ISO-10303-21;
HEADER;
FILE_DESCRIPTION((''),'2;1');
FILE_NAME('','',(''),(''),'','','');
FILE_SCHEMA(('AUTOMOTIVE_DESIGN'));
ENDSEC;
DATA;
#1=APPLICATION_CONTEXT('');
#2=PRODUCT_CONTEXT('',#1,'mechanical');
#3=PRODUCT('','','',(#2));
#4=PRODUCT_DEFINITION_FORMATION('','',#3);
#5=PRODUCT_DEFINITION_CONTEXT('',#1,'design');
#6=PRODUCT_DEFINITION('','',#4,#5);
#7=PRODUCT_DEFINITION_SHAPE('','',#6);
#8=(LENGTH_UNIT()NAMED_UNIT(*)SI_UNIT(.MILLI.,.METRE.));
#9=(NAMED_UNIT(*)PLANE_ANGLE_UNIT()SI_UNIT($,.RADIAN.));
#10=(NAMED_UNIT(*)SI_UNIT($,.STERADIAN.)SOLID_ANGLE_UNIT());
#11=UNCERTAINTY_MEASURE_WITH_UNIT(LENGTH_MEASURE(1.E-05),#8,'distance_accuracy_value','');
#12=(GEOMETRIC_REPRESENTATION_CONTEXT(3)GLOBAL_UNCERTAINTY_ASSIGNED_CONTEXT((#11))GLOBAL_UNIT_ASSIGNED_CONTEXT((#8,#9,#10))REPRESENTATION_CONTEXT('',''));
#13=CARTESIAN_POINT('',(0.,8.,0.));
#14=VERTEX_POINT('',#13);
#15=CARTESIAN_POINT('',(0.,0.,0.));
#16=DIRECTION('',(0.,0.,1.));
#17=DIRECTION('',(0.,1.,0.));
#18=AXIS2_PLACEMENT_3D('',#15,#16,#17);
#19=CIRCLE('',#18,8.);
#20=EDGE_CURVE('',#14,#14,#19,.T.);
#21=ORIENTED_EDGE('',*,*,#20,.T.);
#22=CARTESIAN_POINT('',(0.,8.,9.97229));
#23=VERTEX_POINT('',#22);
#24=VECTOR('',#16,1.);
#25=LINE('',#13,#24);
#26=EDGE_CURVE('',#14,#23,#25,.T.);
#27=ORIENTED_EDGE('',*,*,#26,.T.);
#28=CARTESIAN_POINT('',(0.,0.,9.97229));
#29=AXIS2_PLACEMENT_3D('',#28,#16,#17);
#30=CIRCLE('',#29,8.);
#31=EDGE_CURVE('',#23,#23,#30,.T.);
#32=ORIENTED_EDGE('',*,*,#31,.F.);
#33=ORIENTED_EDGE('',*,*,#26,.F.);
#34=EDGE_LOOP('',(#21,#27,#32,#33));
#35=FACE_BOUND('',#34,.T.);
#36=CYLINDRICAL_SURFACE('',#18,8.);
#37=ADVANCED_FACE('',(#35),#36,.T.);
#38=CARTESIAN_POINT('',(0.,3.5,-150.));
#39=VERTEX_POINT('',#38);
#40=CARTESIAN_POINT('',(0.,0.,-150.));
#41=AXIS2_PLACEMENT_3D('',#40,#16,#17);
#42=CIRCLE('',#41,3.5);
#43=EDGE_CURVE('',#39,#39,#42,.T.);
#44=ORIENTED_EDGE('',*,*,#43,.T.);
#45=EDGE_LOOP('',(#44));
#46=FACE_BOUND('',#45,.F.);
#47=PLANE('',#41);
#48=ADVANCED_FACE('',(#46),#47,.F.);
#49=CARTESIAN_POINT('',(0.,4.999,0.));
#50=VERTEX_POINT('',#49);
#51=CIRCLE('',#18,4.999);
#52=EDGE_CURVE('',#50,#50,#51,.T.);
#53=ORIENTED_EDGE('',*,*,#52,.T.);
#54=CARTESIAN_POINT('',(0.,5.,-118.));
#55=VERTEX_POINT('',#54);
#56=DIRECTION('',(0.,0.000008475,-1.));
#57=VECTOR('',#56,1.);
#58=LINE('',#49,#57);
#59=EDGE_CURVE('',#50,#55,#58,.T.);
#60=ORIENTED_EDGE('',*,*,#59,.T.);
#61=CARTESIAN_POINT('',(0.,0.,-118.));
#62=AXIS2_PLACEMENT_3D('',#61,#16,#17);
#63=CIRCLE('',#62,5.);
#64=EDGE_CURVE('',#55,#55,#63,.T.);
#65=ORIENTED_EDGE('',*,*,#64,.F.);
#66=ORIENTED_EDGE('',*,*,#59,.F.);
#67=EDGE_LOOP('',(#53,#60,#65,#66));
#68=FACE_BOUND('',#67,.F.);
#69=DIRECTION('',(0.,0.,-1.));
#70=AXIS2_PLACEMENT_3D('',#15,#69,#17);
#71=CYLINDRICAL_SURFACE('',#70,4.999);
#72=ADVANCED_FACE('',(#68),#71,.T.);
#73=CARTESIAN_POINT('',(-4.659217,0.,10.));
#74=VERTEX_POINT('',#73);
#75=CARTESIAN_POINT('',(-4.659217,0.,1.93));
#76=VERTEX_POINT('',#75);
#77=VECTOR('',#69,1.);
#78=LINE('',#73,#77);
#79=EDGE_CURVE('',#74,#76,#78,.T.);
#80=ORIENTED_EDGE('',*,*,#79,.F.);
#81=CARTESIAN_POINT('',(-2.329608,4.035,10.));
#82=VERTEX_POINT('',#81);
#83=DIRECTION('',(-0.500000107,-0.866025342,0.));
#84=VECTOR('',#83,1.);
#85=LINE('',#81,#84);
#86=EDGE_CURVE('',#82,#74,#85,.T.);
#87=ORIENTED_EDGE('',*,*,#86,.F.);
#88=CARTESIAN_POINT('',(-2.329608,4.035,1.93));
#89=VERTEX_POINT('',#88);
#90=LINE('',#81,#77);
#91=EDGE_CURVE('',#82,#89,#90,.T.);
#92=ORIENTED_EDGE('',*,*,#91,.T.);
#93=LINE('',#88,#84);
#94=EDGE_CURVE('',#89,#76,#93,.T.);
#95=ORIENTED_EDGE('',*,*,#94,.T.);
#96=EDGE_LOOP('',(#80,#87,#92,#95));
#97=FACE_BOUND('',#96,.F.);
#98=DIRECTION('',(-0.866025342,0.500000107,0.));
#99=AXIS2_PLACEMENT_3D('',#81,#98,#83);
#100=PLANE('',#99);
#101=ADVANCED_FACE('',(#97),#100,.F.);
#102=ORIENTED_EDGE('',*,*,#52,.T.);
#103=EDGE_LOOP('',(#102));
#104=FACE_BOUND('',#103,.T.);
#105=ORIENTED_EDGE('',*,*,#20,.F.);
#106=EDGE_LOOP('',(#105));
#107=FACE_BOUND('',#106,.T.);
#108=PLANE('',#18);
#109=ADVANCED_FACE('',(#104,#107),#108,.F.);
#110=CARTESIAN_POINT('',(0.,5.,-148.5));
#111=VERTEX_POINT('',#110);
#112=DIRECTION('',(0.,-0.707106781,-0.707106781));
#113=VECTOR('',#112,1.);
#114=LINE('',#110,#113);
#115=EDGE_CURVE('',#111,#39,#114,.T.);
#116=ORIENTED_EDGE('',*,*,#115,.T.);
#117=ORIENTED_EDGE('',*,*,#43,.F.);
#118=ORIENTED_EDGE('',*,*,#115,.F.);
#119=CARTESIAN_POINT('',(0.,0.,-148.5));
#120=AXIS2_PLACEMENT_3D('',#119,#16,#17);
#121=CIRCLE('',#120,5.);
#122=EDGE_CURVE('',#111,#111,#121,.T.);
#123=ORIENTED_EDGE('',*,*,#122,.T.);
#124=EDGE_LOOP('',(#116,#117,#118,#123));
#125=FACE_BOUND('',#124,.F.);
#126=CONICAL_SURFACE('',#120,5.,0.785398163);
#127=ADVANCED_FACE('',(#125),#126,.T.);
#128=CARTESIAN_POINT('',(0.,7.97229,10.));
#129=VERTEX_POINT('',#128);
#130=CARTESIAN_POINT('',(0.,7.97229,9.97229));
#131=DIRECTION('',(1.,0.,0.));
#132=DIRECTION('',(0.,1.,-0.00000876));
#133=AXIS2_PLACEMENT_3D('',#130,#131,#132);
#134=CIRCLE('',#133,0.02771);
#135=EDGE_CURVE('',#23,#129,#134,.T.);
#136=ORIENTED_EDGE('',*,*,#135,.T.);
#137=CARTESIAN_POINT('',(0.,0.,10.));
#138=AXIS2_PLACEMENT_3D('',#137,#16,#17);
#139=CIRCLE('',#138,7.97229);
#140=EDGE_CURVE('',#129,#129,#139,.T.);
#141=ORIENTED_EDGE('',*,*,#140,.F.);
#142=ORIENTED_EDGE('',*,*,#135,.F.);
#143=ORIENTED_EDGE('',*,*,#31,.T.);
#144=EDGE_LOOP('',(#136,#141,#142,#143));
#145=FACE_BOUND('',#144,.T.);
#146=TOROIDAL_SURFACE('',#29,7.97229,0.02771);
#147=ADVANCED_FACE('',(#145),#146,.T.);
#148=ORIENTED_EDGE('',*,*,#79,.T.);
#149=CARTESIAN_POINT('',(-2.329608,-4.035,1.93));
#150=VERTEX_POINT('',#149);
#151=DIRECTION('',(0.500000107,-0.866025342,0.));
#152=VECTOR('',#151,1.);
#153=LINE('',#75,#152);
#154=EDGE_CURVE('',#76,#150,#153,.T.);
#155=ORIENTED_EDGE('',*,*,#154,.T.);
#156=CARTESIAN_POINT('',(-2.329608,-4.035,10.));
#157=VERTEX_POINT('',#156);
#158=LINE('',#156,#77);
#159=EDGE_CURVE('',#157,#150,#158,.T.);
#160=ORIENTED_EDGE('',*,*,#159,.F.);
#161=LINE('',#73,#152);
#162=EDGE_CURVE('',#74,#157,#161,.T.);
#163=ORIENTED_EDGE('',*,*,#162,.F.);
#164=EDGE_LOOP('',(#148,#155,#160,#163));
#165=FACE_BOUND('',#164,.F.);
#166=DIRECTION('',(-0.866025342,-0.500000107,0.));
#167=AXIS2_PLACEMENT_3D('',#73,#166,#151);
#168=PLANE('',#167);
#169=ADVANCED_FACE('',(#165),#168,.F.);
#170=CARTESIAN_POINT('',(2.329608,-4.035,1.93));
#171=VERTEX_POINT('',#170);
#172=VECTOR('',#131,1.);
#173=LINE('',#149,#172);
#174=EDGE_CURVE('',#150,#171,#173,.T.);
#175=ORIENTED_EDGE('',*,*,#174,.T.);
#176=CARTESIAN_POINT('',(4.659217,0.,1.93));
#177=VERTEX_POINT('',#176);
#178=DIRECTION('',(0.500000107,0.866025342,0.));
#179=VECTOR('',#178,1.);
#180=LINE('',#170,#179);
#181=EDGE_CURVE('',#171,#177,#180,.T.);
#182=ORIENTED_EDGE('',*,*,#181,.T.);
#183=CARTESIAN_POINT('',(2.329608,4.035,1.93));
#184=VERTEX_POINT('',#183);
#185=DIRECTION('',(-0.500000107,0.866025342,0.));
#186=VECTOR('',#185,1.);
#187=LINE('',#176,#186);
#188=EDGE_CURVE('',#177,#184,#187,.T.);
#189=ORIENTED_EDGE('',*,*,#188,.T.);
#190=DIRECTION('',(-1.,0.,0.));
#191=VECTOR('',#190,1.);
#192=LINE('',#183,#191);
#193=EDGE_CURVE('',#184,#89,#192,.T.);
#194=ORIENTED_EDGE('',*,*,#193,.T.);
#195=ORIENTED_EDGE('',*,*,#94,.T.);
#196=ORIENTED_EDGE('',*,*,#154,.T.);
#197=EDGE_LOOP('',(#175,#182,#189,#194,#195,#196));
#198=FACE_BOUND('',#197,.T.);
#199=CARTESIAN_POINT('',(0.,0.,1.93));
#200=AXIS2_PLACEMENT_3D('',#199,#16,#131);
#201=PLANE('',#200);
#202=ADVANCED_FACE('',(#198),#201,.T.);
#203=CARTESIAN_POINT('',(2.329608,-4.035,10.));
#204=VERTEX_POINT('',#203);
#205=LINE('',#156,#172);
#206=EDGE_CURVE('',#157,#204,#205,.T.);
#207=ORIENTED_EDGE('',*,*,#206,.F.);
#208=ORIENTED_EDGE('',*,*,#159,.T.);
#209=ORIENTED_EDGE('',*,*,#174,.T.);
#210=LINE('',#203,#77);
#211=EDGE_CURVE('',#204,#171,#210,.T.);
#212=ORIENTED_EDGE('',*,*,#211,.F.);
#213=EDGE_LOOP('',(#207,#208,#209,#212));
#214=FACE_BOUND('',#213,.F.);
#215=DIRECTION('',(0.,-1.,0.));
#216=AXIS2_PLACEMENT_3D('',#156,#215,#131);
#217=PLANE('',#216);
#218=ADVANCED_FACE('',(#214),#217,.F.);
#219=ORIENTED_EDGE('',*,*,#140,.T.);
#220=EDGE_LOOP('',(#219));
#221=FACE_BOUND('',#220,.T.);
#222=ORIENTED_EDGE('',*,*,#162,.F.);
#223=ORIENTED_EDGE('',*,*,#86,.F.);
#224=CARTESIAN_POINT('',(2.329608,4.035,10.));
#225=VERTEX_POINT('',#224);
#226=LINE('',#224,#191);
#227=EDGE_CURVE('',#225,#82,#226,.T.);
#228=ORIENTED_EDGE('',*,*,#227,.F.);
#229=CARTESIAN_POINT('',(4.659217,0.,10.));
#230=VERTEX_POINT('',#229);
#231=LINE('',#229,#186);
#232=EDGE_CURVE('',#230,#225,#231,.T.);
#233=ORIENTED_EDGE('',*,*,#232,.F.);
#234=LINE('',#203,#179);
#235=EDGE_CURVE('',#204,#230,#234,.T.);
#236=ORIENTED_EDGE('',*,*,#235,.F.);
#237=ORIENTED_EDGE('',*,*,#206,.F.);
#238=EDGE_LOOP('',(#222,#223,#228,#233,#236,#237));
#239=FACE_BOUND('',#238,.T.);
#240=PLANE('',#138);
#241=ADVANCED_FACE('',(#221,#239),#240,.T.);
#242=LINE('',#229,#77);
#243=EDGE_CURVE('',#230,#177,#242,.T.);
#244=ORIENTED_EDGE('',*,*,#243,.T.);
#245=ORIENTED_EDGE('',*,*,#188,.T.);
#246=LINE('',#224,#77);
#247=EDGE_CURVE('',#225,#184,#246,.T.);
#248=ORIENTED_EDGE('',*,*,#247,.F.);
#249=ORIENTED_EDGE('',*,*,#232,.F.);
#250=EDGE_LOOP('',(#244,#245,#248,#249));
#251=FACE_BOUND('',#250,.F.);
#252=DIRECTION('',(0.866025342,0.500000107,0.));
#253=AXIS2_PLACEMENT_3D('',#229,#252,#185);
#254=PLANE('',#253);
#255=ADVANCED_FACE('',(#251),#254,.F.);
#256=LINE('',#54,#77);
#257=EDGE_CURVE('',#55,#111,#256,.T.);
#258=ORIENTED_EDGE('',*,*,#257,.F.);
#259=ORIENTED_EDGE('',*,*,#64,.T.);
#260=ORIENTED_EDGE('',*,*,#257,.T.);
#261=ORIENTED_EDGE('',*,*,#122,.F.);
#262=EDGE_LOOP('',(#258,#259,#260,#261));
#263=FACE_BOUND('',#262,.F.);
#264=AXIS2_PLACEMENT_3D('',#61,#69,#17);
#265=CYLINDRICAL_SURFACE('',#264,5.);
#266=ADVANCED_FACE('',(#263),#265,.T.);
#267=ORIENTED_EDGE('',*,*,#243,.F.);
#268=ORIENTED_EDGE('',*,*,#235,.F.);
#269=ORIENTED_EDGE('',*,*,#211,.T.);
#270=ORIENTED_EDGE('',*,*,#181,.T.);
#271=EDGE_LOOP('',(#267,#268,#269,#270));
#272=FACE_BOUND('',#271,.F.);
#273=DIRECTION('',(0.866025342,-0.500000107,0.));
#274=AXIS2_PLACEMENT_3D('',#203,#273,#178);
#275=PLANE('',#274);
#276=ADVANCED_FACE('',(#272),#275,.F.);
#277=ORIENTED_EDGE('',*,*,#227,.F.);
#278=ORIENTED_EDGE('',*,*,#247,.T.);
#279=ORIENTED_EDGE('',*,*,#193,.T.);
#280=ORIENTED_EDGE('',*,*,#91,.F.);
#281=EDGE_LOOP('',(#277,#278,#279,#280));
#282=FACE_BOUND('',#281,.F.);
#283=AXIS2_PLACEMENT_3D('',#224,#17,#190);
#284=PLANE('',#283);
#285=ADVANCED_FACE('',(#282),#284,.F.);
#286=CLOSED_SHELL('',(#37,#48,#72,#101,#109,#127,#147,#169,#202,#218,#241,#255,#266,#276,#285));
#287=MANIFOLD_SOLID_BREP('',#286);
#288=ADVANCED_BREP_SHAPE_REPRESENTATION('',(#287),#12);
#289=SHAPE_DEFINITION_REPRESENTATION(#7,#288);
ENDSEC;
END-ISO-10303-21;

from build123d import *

# Parameters (mm, degrees)
POCKET_DEPTH = 8.07


with BuildPart() as part:
    # Sketch → Revolve (revolve)
    with BuildSketch(Plane.YZ):
        with BuildLine():
            Line((4.999, 0), (8, 0))
            Line((8, 0), (8, 9.97229))
            ThreePointArc((8, 9.97229), (7.991884, 9.991884), (7.97229, 10))
            Line((7.97229, 10), (0, 10))
            Line((0, -150), (0, 10))
            Line((3.5, -150), (0, -150))
            Line((5, -148.5), (3.5, -150))
            Line((5, -118), (5, -148.5))
            Line((4.999, 0), (5, -118))
        make_face()
    revolve(axis=Axis((0, 0, 0), (0, 0, 1)))

    # Sketch001 → Pocket (cut)
    with BuildSketch(Plane.XY.offset(10)):
        Polygon((4.659217, 0), (2.329608, 4.035), (-2.329608, 4.035), (-4.659217, 0), (-2.329608, -4.035), (2.329608, -4.035), align=None)
    extrude(amount=-POCKET_DEPTH, mode=Mode.SUBTRACT)


solid = part.part
